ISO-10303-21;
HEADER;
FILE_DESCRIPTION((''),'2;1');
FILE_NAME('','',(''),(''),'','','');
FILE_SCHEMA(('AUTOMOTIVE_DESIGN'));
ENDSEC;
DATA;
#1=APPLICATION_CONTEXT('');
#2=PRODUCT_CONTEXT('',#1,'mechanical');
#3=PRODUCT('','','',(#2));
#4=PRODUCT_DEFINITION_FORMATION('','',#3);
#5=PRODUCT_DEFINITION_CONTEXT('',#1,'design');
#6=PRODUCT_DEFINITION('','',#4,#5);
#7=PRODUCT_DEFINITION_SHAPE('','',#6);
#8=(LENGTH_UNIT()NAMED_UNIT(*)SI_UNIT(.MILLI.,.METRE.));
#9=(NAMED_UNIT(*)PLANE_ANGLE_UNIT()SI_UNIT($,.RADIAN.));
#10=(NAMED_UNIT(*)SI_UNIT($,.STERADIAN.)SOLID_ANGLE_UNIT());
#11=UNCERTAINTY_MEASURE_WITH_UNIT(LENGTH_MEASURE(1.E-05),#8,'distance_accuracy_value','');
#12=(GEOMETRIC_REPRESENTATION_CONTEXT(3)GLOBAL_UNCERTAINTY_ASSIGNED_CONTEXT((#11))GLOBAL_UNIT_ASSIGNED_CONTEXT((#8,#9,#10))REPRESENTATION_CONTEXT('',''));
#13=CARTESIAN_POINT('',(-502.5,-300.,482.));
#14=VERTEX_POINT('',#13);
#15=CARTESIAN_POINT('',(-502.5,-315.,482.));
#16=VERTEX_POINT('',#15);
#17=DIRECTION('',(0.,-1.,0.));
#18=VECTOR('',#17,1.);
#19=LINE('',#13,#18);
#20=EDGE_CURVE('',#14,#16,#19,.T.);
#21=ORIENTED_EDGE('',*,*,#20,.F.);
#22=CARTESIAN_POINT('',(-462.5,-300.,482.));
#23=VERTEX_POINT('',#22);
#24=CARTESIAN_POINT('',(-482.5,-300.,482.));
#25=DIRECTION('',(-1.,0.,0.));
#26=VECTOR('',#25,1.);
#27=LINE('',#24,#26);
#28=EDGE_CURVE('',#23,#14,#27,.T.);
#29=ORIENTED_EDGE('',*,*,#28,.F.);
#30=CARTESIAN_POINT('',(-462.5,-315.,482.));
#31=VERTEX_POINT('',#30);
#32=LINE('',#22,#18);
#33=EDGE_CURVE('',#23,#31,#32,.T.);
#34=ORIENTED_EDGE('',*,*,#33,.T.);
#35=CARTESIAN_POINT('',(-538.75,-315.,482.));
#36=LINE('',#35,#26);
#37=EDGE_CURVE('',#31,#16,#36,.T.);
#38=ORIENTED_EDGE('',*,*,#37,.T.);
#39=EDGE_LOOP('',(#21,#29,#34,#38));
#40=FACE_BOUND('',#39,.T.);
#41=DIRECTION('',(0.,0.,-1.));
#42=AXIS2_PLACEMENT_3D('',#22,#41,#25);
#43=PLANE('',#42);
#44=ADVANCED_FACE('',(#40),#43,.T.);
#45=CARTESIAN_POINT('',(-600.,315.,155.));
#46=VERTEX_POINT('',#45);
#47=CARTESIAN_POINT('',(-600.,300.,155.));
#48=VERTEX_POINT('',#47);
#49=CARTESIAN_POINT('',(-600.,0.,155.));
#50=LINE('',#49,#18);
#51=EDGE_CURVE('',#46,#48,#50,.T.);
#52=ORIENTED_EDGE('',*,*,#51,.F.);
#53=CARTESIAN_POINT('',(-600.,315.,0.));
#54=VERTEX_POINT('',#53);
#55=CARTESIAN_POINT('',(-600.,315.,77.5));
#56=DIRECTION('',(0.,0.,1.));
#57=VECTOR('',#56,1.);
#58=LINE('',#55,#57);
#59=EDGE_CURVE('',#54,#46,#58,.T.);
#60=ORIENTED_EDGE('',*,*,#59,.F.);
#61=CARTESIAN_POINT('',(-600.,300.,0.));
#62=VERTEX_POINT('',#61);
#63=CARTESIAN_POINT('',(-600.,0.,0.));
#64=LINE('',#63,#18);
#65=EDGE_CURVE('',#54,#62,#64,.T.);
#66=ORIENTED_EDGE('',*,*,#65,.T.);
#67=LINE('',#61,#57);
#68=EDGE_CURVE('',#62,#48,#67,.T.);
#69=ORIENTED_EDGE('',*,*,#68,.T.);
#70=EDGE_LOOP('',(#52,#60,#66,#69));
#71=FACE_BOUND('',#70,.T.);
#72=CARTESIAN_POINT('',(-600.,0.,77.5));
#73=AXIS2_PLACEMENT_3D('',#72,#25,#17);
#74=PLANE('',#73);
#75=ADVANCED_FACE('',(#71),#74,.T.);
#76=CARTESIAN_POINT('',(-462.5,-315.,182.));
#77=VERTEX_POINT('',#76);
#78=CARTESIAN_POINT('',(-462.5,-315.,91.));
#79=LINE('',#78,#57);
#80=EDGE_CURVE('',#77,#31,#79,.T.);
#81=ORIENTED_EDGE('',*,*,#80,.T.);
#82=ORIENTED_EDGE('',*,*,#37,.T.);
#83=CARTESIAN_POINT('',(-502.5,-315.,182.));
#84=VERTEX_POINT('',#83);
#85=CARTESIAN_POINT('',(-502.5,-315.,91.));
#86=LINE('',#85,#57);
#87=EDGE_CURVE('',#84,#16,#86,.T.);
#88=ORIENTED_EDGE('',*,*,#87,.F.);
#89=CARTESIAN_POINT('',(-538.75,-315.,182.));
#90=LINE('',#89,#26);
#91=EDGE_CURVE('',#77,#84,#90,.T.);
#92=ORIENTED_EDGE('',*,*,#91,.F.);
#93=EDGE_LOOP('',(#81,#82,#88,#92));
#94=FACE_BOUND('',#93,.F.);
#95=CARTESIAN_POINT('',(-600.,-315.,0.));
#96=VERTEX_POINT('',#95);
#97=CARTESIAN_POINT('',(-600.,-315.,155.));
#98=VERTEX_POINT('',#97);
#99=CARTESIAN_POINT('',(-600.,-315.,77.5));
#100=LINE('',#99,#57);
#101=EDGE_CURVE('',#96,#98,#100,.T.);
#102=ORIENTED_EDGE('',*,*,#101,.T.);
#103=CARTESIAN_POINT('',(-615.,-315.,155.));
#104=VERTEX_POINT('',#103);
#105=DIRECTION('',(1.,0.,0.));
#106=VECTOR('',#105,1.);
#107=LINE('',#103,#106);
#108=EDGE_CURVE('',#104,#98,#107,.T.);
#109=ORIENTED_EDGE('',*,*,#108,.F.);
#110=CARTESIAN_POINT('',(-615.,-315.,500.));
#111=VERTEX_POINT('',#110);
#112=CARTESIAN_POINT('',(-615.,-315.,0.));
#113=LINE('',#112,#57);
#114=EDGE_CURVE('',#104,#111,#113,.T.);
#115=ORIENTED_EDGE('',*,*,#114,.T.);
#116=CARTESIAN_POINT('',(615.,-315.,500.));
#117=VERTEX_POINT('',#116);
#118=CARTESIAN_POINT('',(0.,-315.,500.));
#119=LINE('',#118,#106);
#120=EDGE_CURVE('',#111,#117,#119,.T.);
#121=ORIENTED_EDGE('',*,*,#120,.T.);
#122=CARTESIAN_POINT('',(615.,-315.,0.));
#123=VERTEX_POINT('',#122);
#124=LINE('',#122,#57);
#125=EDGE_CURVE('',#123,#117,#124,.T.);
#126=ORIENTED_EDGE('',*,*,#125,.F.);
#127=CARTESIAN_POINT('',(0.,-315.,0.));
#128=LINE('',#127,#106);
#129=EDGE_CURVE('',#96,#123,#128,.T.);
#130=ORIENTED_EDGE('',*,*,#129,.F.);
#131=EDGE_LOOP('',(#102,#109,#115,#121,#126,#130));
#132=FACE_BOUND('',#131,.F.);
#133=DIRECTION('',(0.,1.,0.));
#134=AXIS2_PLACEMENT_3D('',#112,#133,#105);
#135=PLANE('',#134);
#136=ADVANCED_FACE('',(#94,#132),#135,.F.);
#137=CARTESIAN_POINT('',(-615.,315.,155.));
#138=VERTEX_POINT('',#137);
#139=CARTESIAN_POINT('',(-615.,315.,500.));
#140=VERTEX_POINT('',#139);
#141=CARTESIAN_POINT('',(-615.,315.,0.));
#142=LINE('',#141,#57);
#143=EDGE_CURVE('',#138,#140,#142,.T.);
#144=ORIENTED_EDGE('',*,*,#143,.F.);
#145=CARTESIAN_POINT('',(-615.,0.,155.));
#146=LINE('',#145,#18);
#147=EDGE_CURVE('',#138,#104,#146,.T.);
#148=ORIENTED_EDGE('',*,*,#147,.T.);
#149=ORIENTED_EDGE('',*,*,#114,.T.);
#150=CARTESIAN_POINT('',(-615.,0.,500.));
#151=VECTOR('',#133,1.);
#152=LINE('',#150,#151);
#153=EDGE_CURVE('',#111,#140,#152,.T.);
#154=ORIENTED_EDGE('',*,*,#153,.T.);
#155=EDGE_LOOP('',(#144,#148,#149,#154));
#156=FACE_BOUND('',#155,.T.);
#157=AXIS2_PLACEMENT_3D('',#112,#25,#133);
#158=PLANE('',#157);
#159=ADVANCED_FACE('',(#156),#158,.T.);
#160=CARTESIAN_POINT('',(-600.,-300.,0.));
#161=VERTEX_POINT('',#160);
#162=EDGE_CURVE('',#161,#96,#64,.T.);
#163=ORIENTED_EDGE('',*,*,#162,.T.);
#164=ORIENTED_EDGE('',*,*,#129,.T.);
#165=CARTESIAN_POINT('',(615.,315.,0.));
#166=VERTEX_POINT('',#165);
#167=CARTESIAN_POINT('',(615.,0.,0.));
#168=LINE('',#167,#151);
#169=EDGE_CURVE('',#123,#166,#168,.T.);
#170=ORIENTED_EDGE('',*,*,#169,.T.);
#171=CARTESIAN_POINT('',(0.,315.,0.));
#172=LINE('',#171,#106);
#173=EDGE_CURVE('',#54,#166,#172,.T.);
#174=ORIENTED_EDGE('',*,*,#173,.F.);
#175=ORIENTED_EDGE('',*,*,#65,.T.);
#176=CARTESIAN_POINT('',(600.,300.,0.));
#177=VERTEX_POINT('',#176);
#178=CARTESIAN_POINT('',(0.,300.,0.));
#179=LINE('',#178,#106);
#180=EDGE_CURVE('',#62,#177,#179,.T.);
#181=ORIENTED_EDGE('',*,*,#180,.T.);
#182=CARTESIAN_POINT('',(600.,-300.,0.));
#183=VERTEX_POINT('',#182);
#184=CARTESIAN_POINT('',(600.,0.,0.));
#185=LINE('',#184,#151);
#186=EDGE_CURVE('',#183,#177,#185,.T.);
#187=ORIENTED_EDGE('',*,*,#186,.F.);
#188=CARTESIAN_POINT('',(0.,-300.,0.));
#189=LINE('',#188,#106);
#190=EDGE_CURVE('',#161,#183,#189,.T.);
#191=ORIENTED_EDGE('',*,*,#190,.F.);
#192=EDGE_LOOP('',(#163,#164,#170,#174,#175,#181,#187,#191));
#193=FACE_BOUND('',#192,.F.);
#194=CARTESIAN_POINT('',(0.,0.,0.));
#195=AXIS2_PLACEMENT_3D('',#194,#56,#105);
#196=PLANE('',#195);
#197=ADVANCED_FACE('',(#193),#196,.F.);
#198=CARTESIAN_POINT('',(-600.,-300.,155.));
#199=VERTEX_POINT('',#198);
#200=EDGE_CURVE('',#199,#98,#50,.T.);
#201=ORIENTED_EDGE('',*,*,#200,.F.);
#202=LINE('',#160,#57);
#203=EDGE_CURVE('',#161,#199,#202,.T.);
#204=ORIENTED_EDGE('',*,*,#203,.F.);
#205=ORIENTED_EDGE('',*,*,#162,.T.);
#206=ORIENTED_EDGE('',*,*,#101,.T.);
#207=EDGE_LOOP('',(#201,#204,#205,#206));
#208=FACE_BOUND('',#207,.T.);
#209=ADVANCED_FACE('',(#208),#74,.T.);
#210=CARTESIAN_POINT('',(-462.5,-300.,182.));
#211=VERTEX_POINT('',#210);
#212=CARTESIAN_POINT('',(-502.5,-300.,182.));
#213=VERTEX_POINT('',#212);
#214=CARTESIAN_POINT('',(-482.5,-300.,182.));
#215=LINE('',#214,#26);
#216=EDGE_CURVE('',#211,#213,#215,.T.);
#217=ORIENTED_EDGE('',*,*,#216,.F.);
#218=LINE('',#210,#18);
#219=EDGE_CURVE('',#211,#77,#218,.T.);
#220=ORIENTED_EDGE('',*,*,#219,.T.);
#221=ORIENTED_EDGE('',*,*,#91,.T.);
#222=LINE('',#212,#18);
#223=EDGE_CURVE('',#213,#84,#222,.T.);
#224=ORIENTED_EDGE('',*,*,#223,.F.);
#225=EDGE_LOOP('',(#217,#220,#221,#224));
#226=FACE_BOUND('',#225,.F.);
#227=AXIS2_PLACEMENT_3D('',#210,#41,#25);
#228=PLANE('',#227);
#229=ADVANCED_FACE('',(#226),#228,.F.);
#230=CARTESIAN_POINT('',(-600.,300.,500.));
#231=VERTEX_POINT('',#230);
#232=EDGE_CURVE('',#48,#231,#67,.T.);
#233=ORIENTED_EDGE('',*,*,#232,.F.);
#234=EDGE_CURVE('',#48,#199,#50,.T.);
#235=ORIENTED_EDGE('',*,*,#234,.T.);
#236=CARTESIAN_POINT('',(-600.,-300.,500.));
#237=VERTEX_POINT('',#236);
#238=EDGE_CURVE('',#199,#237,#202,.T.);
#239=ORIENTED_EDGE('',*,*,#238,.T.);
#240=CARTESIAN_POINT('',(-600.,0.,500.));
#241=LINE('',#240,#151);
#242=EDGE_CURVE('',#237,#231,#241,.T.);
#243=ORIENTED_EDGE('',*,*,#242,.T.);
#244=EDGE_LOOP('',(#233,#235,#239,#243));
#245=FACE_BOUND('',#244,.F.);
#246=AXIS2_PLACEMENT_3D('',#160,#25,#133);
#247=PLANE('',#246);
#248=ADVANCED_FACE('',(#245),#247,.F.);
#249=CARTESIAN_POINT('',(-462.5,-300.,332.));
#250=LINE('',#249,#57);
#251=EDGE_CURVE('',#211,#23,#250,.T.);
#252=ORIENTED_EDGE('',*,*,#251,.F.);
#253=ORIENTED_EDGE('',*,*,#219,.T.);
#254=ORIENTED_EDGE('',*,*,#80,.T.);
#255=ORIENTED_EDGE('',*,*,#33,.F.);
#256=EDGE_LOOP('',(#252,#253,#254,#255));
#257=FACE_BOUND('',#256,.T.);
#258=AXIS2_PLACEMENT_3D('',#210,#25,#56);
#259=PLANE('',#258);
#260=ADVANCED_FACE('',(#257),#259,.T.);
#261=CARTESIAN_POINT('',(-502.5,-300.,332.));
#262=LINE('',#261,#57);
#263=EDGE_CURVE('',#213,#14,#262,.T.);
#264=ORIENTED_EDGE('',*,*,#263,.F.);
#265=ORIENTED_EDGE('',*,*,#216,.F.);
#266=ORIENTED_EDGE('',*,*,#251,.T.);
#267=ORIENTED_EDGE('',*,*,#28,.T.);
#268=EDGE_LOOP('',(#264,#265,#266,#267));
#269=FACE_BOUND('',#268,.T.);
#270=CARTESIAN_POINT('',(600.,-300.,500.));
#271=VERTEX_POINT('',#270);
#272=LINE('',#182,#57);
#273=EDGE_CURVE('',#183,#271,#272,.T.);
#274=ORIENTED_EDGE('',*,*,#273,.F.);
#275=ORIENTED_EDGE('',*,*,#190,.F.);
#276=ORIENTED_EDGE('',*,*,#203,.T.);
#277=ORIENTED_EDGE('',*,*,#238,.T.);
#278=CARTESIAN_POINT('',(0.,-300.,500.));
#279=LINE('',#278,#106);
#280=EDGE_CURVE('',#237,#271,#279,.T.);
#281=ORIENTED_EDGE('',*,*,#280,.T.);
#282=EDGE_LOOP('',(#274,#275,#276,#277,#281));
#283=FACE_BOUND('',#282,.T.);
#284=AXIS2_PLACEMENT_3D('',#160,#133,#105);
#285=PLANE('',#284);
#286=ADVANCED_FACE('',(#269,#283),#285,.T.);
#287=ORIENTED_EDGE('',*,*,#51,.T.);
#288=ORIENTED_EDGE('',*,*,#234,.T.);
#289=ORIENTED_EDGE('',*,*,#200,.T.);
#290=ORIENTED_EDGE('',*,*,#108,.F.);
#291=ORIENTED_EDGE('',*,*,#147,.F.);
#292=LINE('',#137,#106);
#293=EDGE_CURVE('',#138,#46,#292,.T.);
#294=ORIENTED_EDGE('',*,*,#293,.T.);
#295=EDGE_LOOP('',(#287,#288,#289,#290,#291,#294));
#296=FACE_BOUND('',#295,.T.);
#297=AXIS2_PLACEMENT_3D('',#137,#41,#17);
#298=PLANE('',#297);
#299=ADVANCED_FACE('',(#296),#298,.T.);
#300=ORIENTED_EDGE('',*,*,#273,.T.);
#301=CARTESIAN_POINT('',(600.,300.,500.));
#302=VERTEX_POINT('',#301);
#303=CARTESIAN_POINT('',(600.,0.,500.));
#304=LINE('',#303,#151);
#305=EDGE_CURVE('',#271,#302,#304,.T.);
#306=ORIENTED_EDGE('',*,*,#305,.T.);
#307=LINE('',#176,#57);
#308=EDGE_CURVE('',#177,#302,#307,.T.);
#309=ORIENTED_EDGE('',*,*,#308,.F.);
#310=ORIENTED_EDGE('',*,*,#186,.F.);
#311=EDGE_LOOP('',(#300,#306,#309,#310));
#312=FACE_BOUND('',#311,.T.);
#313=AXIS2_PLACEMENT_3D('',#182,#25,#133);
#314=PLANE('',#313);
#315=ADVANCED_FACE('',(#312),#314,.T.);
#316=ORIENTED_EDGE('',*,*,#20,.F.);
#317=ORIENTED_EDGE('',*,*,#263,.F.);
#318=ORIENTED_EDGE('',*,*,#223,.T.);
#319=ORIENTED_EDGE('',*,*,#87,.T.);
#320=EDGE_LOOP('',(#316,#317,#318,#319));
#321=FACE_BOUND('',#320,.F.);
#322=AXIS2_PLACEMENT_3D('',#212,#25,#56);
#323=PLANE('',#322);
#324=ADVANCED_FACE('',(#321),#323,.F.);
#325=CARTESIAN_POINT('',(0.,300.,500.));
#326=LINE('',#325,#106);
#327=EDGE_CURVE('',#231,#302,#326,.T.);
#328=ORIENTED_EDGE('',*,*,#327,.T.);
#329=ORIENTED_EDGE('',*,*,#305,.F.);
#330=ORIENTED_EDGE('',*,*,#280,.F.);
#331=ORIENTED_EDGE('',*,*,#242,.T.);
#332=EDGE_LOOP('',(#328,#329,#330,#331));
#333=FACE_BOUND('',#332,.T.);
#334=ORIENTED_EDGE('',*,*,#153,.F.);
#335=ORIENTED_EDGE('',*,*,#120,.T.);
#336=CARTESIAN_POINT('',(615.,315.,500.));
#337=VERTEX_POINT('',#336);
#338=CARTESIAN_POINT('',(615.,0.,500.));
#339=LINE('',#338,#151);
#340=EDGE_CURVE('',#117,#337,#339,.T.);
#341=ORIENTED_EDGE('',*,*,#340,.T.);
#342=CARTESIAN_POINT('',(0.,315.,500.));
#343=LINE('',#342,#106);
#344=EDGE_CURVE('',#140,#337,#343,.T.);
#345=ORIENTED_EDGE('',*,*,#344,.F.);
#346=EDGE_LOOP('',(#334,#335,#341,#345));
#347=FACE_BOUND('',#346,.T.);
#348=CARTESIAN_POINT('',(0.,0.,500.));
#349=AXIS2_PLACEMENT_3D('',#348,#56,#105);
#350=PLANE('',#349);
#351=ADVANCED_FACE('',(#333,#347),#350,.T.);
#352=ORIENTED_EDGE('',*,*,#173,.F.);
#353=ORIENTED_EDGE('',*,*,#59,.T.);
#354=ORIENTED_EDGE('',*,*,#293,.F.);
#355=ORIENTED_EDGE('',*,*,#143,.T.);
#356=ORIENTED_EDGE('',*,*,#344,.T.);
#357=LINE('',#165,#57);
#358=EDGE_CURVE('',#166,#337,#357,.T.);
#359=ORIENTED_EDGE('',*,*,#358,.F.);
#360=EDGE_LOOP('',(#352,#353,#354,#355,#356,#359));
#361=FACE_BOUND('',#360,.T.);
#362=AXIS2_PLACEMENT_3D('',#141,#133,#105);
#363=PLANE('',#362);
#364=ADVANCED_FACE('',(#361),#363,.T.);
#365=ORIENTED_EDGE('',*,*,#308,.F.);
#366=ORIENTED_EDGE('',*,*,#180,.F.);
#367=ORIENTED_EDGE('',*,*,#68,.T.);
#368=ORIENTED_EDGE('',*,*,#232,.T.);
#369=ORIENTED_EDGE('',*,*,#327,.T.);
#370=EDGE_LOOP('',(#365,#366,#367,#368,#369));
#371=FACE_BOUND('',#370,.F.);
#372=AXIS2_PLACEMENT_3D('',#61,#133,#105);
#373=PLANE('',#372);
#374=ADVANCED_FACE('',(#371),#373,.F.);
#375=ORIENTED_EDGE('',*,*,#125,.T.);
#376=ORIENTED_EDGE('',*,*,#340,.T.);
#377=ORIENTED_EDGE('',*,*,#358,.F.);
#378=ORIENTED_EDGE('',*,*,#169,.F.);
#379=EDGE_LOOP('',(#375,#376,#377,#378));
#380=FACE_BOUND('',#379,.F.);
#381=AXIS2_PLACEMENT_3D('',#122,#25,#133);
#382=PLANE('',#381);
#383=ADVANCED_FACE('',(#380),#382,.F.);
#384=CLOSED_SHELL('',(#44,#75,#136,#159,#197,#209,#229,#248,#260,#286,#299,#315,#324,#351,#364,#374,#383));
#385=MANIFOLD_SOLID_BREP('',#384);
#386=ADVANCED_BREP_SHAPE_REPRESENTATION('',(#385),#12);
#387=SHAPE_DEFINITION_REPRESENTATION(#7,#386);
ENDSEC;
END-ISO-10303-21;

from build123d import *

# Parameters (mm, degrees)
F0_W     = 1230
F0_H     = 630
F0_W_2   = 1200
F0_H_2   = 600
F1_DEPTH = 500
F2_W     = 40
F2_H     = 300
F3_DEPTH = 25
F4_W     = 630
F4_H     = 155
F5_DEPTH = 15


with BuildPart() as f1:
    # F0 (on Top) → F1 (new body)
    with BuildSketch(Plane.XY):
        Rectangle(F0_W, F0_H)
        Rectangle(F0_W_2, F0_H_2, mode=Mode.SUBTRACT)
    extrude(amount=F1_DEPTH)

    # F2 (on face) → F3 (cut)
    with BuildSketch(Plane(origin=(0, -300, 0), x_dir=(-1, 0, 0), z_dir=(0, 1, 0))):
        with Locations((482.5, 332)):
            Rectangle(F2_W, F2_H)
    extrude(amount=-F3_DEPTH, mode=Mode.SUBTRACT)

    # F4 (on face) → F5 (cut)
    with BuildSketch(Plane(origin=(-615, 0, 0), x_dir=(0, -1, 0), z_dir=(-1, 0, 0))):
        with Locations((0, 77.5)):
            Rectangle(F4_W, F4_H)
    extrude(amount=-F5_DEPTH, mode=Mode.SUBTRACT)


solid = f1.part
